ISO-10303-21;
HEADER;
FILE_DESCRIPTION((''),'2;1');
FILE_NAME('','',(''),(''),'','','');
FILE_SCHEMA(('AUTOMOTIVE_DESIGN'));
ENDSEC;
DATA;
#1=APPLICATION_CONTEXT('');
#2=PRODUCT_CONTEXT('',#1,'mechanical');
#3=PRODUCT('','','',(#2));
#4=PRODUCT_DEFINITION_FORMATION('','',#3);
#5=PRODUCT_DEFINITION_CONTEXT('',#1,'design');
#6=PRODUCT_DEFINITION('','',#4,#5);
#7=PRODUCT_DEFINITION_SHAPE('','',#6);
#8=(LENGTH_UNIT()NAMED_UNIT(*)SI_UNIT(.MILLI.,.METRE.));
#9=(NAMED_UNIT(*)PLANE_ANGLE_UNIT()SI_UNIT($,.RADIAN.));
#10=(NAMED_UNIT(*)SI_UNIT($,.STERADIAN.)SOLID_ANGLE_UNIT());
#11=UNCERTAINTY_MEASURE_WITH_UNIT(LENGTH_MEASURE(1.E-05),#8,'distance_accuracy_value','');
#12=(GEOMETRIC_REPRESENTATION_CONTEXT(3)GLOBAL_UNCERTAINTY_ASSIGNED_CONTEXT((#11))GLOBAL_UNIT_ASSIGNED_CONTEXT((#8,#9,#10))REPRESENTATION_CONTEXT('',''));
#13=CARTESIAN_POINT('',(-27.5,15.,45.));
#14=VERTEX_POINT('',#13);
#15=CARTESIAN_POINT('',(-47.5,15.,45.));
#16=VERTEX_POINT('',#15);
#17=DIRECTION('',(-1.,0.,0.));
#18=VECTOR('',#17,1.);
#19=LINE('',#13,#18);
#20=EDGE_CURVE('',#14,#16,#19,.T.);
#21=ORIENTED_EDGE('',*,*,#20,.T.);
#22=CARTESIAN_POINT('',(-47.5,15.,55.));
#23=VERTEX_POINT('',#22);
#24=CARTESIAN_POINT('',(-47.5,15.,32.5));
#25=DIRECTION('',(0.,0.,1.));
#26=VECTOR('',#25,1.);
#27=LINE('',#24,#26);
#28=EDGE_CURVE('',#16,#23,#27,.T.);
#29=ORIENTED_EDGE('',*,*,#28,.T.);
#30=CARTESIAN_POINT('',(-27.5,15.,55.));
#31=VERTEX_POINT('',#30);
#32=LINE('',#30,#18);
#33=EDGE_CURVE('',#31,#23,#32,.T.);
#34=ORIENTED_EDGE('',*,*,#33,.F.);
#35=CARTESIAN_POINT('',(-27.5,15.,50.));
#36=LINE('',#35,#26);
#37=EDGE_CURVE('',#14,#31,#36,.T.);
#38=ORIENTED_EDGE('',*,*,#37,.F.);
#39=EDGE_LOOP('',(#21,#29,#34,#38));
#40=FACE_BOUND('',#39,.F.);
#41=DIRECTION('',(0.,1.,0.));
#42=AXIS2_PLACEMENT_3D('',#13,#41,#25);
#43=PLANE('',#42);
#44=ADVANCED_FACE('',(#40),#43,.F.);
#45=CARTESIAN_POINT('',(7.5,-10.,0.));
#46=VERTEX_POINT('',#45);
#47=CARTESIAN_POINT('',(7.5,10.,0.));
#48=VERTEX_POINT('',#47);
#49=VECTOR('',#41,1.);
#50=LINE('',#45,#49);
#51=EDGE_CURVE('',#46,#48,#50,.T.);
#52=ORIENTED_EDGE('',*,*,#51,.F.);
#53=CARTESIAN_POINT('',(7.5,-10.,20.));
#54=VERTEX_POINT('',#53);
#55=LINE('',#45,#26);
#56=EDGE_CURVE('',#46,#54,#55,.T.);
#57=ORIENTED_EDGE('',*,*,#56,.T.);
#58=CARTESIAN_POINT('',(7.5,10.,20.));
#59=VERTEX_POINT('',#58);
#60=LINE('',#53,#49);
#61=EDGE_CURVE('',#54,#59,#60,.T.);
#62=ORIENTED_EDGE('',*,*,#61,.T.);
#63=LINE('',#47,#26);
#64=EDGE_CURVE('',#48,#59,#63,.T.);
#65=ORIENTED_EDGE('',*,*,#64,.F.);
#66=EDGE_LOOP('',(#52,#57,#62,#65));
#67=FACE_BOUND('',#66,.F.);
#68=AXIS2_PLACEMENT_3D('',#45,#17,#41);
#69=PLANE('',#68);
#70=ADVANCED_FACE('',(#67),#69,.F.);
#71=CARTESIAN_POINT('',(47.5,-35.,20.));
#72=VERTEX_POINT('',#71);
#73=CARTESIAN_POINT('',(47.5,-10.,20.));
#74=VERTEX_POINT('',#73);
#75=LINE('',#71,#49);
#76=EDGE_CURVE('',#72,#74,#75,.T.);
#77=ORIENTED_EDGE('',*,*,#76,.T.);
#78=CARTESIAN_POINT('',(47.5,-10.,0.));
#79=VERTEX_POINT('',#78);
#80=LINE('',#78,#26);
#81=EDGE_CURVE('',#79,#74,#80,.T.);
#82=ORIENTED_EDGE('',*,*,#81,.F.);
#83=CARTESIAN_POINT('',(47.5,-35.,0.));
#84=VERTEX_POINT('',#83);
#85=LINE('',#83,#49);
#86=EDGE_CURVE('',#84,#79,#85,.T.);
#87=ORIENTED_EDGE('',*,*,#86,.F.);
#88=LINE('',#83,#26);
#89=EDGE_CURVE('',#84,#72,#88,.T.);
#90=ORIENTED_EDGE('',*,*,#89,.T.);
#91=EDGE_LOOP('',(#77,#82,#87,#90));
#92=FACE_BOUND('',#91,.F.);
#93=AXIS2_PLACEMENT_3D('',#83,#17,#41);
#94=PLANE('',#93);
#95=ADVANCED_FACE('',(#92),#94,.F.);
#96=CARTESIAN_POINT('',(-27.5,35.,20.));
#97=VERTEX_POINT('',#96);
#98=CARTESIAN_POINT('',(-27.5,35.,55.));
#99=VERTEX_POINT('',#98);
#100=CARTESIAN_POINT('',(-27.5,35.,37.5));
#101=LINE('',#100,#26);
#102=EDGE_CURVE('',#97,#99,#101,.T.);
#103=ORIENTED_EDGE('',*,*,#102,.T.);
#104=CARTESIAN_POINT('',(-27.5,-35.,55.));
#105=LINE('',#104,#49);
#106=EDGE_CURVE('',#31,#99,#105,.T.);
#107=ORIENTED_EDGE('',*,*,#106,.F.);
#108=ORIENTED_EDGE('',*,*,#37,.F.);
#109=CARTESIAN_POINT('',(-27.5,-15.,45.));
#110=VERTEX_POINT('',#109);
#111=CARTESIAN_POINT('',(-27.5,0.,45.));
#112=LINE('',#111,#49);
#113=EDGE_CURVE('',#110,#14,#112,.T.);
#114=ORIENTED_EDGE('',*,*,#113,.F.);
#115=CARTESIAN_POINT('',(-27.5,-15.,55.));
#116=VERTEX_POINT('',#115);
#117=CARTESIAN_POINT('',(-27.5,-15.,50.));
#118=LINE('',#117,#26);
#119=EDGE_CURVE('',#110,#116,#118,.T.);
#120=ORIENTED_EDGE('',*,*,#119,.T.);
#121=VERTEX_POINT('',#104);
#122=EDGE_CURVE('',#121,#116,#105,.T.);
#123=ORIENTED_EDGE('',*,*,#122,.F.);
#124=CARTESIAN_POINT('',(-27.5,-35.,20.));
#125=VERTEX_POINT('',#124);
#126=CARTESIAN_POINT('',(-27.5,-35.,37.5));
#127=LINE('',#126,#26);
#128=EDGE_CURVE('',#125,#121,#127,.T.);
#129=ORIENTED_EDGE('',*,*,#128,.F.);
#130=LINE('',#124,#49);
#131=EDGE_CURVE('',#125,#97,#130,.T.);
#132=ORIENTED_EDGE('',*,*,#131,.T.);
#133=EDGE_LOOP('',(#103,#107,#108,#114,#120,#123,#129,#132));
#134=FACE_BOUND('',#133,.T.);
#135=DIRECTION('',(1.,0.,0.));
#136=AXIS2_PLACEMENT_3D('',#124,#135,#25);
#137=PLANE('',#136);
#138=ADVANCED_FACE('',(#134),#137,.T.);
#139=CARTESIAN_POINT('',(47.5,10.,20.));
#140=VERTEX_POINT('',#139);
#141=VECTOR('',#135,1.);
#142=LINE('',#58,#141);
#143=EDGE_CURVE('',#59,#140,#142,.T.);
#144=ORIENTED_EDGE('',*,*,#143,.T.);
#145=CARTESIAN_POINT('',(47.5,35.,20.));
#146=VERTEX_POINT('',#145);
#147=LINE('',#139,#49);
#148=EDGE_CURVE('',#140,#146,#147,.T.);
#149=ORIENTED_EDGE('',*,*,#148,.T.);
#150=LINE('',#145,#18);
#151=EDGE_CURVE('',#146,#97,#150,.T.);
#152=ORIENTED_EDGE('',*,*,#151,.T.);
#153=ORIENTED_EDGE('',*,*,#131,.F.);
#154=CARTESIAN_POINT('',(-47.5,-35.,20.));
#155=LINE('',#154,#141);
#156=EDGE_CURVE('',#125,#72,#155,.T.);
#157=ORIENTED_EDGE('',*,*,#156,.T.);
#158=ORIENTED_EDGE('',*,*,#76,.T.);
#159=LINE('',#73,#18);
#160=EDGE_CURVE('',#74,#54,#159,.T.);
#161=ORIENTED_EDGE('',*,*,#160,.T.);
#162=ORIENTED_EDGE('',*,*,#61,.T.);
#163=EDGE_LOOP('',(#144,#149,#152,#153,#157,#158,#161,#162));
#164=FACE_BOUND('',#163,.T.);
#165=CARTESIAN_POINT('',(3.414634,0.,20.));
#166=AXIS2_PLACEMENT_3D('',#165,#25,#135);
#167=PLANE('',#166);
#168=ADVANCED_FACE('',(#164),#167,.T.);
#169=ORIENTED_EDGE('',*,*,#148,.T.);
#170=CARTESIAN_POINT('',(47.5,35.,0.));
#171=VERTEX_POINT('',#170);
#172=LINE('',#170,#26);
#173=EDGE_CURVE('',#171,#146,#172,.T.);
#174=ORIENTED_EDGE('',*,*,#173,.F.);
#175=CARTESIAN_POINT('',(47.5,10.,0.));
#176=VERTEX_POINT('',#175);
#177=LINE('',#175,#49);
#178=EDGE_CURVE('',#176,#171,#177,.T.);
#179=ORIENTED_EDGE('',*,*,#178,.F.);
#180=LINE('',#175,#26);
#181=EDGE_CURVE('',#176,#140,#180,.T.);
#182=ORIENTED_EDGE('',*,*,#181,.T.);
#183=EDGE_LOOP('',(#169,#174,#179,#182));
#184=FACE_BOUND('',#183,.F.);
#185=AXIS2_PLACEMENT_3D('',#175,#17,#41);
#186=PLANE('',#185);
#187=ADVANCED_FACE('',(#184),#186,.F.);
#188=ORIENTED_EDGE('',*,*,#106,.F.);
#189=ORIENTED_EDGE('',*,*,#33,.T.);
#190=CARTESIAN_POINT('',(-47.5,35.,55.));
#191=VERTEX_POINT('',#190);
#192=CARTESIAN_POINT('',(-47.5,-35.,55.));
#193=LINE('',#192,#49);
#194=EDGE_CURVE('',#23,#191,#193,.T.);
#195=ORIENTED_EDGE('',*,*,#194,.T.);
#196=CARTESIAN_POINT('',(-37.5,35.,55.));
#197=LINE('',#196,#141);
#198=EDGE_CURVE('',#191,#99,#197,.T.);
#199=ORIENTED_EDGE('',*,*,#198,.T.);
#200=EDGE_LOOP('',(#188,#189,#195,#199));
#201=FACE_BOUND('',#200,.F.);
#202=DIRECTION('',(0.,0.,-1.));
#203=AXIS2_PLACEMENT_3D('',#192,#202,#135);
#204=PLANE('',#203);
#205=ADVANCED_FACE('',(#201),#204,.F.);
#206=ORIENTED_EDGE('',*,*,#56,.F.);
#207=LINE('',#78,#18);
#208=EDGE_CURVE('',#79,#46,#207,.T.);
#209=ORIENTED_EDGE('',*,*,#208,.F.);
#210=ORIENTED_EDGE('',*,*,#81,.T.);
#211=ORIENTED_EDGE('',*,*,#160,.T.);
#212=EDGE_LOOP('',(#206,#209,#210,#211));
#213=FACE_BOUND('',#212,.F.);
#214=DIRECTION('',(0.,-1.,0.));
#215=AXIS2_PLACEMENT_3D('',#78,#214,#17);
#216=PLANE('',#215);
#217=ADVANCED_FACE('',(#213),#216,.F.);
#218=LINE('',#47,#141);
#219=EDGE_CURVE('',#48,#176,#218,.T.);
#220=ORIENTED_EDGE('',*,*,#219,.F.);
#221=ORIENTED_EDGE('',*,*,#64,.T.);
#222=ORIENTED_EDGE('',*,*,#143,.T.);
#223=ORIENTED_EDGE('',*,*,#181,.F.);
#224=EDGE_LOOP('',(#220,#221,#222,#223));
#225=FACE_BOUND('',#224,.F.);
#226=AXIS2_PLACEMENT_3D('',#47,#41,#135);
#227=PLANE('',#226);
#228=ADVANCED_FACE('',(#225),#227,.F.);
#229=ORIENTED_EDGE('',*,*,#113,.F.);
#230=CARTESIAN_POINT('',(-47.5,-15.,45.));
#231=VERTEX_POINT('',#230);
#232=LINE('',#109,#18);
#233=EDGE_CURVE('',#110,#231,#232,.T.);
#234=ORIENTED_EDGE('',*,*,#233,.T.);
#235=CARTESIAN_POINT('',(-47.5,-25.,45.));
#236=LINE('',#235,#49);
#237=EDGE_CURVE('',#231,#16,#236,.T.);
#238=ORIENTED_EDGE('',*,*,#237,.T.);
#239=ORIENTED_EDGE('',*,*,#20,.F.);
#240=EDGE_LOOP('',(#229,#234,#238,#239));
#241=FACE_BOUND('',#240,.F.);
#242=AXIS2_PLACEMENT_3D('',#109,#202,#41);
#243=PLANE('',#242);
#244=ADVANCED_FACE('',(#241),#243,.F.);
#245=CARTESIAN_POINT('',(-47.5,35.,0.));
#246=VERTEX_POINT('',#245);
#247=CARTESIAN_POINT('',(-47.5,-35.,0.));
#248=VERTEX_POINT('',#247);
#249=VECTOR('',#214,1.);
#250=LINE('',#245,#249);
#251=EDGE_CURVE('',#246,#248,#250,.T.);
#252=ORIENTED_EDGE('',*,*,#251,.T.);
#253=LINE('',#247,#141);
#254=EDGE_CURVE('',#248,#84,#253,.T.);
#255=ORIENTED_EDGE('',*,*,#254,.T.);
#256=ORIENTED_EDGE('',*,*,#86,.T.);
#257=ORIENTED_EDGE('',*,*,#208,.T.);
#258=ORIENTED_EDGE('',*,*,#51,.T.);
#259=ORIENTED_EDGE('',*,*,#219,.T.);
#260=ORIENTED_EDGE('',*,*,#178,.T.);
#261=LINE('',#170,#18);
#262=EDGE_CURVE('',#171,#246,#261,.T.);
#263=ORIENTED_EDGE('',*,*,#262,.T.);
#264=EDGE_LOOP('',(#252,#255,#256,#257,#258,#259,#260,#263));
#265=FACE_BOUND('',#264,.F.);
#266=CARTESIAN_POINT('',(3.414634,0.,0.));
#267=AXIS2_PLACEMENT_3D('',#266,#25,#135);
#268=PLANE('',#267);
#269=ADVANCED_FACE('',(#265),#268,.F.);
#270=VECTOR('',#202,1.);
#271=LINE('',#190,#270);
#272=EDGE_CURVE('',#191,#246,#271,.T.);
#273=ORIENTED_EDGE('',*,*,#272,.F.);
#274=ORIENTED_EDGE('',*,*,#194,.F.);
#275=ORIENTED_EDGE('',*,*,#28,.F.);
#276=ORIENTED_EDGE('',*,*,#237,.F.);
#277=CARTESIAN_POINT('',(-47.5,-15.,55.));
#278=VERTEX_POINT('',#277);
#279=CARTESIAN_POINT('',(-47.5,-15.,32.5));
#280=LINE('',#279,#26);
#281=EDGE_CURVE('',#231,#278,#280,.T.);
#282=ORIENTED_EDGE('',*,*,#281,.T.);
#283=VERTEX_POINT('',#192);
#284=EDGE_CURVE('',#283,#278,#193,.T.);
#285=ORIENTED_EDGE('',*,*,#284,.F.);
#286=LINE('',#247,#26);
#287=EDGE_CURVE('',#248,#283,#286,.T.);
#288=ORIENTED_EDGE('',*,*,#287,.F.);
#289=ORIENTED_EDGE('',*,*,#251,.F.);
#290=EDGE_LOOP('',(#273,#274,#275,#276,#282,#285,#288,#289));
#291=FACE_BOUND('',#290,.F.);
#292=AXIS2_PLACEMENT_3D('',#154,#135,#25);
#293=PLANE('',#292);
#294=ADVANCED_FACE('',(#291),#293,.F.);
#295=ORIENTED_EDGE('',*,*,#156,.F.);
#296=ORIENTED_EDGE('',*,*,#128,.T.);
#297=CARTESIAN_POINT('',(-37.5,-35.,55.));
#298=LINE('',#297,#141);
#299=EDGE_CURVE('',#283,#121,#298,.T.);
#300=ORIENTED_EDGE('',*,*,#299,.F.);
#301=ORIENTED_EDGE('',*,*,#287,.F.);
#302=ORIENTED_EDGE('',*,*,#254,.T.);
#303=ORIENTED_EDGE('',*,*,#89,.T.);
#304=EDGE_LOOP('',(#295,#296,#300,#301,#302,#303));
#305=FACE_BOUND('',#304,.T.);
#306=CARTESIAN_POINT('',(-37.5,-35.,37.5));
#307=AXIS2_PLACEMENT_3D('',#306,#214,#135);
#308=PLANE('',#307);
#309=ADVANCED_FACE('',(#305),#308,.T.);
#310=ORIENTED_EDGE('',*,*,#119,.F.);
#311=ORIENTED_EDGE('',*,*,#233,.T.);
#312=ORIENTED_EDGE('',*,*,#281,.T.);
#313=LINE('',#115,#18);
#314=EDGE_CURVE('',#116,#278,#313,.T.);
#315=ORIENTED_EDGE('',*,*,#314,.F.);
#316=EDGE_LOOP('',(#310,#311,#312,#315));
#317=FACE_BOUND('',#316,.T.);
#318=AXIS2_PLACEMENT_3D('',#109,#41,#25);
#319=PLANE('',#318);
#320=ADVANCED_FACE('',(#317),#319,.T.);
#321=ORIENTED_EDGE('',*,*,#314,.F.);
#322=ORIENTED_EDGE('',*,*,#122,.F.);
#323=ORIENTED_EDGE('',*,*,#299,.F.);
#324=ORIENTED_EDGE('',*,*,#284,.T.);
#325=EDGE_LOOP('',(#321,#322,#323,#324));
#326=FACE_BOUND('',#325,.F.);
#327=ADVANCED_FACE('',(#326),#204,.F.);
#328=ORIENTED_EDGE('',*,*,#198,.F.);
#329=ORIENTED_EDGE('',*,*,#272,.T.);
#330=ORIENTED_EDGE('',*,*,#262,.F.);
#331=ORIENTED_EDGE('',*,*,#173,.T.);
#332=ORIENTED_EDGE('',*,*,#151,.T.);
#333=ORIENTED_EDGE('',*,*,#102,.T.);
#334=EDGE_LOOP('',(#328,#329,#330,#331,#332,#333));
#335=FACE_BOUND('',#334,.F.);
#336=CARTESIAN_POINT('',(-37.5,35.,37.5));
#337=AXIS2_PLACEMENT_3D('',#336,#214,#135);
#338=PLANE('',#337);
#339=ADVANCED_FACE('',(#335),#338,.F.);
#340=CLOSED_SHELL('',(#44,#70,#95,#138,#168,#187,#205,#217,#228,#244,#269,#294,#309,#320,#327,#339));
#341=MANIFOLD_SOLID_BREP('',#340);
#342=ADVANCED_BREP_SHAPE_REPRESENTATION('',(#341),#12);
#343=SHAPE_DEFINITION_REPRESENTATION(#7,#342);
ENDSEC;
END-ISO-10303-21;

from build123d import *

# Parameters (mm, degrees)
F1_DEPTH = 20
F2_W     = 20
F2_H     = 35
F3_DEPTH = 70
F4_W     = 30
F4_H     = 10
F5_DEPTH = 20.001


with BuildPart() as f1:
    # F0 (on Top) → F1 (new body)
    with BuildSketch(Plane.XY):
        Polygon((-47.5, -35), (47.5, -35), (47.5, -10), (7.5, -10), (7.5, 0), (7.5, 10), (47.5, 10), (47.5, 35), (-47.5, 35), align=None)
    extrude(amount=F1_DEPTH)

    # F2 (on face) → F3 (join)
    with BuildSketch(Plane.XZ.offset(35)):
        with Locations((-37.5, 37.5)):
            Rectangle(F2_W, F2_H)
    extrude(amount=-F3_DEPTH)

    # F4 (on face) → F5 (cut, through all)
    with BuildSketch(Plane.YZ.offset(-27.5)):
        with Locations((0, 50)):
            Rectangle(F4_W, F4_H)
    extrude(amount=-F5_DEPTH, mode=Mode.SUBTRACT)


solid = f1.part
